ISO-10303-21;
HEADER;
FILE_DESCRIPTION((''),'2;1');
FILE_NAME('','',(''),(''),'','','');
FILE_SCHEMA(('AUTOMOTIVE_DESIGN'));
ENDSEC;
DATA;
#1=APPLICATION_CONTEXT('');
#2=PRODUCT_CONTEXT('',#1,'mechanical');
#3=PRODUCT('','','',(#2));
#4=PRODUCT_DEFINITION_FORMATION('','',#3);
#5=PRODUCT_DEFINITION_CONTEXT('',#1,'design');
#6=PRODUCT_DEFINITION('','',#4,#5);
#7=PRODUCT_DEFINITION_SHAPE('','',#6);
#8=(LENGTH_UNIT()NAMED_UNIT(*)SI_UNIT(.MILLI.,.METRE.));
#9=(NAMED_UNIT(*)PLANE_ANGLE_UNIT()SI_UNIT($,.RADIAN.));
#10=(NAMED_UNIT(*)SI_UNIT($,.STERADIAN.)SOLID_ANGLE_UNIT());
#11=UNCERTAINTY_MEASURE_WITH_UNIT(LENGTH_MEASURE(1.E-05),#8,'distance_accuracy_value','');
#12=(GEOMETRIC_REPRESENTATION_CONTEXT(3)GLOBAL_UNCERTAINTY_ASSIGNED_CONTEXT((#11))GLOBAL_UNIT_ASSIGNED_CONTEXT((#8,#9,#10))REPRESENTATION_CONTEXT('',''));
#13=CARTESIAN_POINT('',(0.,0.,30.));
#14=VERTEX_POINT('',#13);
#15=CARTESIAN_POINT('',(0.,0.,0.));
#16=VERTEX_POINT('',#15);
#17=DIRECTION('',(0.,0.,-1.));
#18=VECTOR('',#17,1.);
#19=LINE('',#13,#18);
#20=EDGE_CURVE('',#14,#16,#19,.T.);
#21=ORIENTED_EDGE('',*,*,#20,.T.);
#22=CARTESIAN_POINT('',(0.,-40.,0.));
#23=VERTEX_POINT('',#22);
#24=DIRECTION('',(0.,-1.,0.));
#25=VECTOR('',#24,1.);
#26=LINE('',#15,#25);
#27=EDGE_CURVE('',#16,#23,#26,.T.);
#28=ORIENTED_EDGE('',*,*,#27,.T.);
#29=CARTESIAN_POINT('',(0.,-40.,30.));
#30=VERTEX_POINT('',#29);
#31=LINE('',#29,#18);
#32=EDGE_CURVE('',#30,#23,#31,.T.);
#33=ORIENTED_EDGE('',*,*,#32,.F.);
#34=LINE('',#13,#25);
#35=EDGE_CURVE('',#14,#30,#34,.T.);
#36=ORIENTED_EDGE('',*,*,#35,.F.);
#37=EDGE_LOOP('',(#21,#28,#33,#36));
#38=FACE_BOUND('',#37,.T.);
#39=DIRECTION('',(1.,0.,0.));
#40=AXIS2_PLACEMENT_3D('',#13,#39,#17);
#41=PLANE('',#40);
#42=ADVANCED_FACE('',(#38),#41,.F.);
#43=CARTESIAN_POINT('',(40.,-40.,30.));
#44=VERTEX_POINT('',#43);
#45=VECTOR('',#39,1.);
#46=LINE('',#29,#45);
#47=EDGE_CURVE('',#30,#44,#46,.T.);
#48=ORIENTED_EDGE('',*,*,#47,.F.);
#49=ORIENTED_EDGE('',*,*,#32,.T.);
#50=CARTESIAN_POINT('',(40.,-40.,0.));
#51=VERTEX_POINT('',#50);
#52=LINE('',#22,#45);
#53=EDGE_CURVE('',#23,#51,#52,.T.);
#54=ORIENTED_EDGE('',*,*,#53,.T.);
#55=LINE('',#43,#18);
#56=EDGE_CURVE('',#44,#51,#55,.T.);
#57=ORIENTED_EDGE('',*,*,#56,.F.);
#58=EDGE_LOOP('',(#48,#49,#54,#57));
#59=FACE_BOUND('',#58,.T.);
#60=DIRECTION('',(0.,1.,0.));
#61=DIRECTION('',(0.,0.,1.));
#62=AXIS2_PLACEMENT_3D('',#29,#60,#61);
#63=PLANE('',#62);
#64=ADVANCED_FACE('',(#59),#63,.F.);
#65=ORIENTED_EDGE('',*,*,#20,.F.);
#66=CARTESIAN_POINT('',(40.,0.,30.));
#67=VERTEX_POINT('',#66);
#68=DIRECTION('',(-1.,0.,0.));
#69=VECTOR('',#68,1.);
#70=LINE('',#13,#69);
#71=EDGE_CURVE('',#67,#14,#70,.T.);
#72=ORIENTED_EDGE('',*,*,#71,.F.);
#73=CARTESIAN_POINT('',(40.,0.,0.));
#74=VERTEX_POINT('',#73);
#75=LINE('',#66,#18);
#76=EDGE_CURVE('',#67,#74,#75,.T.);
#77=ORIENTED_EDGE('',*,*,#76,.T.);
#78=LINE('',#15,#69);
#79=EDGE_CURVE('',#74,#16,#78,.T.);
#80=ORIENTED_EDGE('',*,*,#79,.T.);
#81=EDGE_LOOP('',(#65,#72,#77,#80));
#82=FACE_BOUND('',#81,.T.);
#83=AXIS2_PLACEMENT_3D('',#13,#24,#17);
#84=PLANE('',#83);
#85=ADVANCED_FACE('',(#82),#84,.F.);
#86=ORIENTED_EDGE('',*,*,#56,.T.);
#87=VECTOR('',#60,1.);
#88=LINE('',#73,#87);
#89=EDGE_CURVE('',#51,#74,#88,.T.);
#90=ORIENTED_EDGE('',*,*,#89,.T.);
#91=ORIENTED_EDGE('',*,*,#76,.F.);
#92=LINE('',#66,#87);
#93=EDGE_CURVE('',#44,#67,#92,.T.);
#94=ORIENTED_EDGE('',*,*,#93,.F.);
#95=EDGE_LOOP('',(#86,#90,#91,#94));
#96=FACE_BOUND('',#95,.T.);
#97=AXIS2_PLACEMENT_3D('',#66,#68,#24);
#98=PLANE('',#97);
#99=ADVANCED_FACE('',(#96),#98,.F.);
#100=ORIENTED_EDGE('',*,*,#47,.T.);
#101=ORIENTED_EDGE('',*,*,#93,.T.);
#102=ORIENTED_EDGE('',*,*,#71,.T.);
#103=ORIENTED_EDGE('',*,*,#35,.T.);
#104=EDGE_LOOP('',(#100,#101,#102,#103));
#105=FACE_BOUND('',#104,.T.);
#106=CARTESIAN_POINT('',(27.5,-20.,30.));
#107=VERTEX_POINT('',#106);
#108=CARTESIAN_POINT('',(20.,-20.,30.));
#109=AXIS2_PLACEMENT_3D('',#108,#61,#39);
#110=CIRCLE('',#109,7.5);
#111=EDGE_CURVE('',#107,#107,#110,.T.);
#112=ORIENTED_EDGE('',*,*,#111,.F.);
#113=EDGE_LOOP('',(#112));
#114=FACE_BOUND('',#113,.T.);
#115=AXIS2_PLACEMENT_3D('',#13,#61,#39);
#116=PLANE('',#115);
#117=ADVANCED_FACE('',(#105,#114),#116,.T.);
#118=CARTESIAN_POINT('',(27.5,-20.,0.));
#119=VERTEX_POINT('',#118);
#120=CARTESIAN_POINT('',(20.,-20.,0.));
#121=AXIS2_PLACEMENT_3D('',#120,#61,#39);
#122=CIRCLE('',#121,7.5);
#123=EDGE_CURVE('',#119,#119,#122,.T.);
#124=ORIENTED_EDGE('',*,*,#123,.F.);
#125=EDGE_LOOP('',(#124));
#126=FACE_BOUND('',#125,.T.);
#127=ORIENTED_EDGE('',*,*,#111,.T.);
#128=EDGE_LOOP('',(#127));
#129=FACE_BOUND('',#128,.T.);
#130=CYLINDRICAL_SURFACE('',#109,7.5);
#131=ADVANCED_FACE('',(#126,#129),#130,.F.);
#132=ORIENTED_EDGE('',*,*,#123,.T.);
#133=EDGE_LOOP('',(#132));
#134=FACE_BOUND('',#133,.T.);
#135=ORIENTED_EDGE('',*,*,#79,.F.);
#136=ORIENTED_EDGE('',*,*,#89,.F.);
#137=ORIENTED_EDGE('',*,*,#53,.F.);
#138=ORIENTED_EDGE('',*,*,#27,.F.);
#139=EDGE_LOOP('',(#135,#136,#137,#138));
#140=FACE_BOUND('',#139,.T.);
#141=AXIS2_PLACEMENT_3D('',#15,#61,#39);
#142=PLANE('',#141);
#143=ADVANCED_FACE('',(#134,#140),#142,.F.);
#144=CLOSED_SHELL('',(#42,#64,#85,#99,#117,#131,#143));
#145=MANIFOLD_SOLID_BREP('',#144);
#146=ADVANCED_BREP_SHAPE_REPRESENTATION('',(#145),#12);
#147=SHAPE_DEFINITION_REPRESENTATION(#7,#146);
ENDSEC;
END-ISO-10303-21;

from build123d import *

# Parameters (mm, degrees)
ESQUISSE1_W        = 40
ESQUISSE1_H        = 40
BOSS_EXTRU_1_DEPTH = 30
D_GAGEMENT_M21_D   = 15


with BuildPart() as part:
    # Esquisse1 → Boss.-Extru.1 (new body)
    with BuildSketch(Plane.XY):
        with Locations((20, -20)):
            Rectangle(ESQUISSE1_W, ESQUISSE1_H)
    extrude(amount=BOSS_EXTRU_1_DEPTH)

    # Dégagement M21 (through all)
    with Locations(Plane(origin=(20, -20, 30), x_dir=(1, 0, 0), z_dir=(0, 0, 1))):
        with Locations((0, 0)):
            Hole(D_GAGEMENT_M21_D / 2)


solid = part.part
